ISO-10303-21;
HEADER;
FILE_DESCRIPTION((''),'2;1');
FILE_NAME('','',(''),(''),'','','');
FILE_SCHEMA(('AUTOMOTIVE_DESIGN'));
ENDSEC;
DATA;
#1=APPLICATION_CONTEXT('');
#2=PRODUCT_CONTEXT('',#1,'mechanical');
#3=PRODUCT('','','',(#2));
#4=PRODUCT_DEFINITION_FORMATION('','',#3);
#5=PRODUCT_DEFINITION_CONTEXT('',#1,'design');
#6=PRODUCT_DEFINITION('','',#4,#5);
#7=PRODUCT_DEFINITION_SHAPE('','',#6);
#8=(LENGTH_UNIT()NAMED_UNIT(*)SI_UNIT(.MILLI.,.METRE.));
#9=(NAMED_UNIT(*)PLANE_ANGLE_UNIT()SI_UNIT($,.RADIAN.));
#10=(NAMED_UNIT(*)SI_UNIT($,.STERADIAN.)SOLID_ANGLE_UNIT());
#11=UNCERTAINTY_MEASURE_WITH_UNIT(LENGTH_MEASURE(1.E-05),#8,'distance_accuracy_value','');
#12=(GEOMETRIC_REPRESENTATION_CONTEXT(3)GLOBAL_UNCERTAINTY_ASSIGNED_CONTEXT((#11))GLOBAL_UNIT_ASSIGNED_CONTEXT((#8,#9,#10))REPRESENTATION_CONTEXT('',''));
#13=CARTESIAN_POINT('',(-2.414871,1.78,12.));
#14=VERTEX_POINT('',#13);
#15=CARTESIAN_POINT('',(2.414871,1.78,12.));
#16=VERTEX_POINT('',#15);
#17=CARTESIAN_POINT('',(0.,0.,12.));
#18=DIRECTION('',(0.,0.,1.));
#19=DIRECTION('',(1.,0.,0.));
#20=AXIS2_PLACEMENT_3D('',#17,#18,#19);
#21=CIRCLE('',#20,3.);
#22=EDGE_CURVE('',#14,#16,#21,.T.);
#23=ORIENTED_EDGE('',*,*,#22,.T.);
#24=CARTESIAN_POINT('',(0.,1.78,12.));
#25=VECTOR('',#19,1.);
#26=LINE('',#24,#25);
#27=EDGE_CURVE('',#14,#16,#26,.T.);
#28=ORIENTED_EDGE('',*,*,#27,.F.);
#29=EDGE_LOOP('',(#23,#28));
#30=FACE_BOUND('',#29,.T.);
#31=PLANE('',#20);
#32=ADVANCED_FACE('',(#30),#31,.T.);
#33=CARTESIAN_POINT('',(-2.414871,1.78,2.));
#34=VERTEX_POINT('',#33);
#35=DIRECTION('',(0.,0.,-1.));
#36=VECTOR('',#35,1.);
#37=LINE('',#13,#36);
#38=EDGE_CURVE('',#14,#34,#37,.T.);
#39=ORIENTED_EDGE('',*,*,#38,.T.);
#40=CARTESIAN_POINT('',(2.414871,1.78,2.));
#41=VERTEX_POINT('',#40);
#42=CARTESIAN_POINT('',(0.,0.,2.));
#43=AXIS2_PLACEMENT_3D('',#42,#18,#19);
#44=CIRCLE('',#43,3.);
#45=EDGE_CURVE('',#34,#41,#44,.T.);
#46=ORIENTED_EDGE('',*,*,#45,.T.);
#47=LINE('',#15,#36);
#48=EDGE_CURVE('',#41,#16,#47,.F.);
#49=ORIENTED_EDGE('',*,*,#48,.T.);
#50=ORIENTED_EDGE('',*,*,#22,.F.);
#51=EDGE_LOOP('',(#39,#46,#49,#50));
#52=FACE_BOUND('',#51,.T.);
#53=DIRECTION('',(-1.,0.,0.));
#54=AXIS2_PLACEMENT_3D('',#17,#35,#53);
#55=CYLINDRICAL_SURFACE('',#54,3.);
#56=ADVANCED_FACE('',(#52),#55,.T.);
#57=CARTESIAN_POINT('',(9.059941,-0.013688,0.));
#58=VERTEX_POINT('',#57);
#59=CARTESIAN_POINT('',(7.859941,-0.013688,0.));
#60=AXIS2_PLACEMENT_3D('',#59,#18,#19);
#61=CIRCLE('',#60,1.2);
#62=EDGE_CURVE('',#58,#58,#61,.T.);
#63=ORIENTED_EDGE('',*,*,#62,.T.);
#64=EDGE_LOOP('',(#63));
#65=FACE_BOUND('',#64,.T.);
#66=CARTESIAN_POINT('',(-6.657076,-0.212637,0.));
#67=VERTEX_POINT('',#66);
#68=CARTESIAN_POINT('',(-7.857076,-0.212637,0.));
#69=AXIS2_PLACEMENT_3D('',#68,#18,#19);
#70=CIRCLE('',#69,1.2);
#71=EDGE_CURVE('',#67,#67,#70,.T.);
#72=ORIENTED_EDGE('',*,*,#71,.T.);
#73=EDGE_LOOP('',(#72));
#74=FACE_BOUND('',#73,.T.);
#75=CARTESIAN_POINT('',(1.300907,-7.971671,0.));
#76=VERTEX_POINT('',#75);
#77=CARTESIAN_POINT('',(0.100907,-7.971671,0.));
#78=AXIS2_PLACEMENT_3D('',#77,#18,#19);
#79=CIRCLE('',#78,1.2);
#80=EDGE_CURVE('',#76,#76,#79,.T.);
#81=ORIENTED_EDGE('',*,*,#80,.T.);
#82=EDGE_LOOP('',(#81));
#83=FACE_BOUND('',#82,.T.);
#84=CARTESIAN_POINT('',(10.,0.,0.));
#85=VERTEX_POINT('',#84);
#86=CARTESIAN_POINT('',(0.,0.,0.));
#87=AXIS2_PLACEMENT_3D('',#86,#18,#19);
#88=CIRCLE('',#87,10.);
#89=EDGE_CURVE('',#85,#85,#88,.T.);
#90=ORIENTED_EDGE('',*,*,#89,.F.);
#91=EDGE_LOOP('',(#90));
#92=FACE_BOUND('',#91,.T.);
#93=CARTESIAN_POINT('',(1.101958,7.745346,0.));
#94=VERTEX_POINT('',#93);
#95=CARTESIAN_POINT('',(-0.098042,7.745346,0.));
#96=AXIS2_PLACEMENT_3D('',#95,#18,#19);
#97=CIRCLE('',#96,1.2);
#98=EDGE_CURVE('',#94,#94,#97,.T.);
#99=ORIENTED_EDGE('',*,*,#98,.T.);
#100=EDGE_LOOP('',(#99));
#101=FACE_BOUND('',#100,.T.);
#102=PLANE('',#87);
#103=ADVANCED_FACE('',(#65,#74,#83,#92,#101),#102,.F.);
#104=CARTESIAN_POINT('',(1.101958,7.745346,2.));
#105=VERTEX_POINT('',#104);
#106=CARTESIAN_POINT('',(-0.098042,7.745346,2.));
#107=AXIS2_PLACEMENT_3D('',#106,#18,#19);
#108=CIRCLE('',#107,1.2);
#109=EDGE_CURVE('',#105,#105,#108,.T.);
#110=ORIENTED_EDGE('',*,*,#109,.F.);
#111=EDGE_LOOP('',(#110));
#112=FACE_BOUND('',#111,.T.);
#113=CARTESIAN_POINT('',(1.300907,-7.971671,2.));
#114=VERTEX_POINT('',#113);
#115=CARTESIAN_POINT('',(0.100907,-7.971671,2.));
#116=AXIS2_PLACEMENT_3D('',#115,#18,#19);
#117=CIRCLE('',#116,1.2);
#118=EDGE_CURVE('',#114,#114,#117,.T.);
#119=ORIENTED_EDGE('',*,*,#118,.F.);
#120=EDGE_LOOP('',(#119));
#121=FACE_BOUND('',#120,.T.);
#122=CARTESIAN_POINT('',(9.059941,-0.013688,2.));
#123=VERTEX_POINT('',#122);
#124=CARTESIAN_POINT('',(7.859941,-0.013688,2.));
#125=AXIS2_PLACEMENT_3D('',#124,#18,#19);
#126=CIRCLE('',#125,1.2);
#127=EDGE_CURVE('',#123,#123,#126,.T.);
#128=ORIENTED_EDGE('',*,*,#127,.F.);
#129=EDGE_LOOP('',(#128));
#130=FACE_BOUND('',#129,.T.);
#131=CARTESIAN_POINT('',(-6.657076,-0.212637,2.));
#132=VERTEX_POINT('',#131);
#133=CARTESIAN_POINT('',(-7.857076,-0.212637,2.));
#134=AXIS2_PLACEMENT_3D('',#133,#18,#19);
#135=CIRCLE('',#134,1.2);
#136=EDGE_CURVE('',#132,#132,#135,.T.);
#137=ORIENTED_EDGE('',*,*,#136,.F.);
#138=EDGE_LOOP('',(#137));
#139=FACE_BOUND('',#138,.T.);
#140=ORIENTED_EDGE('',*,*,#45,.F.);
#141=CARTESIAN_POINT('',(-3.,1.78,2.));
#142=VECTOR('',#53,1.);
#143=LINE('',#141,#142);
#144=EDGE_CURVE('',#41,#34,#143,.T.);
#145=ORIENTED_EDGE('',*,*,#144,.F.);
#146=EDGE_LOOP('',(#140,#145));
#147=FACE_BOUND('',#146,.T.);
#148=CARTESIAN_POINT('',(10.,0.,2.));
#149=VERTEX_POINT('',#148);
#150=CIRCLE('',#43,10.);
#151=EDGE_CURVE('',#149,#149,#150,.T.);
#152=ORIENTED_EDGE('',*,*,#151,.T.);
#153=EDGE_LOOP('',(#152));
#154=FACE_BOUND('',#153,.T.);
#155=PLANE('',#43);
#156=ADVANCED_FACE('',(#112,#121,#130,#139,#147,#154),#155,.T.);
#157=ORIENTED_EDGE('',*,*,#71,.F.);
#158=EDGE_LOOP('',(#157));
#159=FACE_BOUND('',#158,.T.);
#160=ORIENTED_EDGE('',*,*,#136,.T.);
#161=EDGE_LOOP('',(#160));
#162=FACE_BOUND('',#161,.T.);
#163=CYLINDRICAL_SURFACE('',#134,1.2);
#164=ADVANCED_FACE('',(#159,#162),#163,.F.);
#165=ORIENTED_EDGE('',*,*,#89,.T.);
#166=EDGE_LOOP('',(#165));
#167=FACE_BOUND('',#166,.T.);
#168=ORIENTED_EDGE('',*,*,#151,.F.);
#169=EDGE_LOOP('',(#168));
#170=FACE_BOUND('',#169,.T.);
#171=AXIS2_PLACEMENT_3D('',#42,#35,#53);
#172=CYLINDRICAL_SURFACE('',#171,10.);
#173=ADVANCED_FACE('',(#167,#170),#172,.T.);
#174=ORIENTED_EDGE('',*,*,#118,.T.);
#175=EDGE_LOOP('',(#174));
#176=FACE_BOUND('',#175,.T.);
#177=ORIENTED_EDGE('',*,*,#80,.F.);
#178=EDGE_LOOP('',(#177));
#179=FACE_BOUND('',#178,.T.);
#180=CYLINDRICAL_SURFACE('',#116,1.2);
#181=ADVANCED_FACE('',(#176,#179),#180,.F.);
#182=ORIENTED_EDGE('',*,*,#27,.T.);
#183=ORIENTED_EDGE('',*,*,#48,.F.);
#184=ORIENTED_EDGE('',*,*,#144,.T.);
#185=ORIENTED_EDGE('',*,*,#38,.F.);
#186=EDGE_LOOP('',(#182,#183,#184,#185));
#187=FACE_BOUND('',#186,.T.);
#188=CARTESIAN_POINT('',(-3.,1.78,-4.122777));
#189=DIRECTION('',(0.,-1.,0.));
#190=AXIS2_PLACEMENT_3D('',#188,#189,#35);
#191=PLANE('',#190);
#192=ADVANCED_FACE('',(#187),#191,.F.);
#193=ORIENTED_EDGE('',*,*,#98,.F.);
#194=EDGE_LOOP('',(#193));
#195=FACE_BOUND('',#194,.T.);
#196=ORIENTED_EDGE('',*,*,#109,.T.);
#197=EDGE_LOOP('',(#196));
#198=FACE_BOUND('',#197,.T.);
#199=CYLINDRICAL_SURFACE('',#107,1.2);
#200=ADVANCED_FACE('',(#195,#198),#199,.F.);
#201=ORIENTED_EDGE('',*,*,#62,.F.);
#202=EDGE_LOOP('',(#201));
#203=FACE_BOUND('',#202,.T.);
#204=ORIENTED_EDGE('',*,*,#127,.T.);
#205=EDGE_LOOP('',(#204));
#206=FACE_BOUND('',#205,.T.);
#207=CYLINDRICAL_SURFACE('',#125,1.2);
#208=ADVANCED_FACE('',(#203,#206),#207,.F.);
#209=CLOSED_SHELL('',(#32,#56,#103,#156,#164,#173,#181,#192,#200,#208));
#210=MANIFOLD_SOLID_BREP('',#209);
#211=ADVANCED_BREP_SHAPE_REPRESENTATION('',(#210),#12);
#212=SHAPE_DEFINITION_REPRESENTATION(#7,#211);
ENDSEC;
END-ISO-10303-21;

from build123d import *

# Parameters (mm, degrees)
ESQUISSE1_R                  = 10
BOSS_EXTRU_1_DEPTH           = 2
D_GAGEMENT_M21_D             = 2.4
R_P_TITION_CIRCULAIRE1_COUNT = 4
ESQUISSE4_R                  = 3
BOSS_EXTRU_2_DEPTH           = 10
ESQUISSE5_W                  = 6
ESQUISSE5_H                  = 1.22
ENL_V_MAT_EXTRU_1_DEPTH      = 10


with BuildPart() as part:
    # Esquisse1 → Boss.-Extru.1 (new body)
    with BuildSketch(Plane.XY):
        Circle(ESQUISSE1_R)
    extrude(amount=BOSS_EXTRU_1_DEPTH)

    # Dégagement M21 (through all)
    with Locations(Plane(origin=(-0.098042357, 7.745346196, 2), x_dir=(1, 0, 0), z_dir=(0, 0, 1))):
        with Locations((0, 0)):
            d_gagement_m21 = Hole(D_GAGEMENT_M21_D / 2)

    # Répétition circulaire1: Dégagement M21 ×4 about axis
    r_p_tition_circulaire1_axis = Axis((0.001432437, -0.113162526, 0), (0, 0, 1))
    for i in range(1, R_P_TITION_CIRCULAIRE1_COUNT):
        add(d_gagement_m21.rotate(r_p_tition_circulaire1_axis, i * 360 / R_P_TITION_CIRCULAIRE1_COUNT), mode=Mode.SUBTRACT)

    # Esquisse4 → Boss.-Extru.2 (add)
    with BuildSketch(Plane.XY.offset(2)):
        Circle(ESQUISSE4_R)
    extrude(amount=BOSS_EXTRU_2_DEPTH)

    # Esquisse5 → Enlèv. mat.-Extru.1 (cut)
    with BuildSketch(Plane.XY.offset(12)):
        with Locations((0, 2.39)):
            Rectangle(ESQUISSE5_W, ESQUISSE5_H)
    extrude(amount=-ENL_V_MAT_EXTRU_1_DEPTH, mode=Mode.SUBTRACT)


solid = part.part
